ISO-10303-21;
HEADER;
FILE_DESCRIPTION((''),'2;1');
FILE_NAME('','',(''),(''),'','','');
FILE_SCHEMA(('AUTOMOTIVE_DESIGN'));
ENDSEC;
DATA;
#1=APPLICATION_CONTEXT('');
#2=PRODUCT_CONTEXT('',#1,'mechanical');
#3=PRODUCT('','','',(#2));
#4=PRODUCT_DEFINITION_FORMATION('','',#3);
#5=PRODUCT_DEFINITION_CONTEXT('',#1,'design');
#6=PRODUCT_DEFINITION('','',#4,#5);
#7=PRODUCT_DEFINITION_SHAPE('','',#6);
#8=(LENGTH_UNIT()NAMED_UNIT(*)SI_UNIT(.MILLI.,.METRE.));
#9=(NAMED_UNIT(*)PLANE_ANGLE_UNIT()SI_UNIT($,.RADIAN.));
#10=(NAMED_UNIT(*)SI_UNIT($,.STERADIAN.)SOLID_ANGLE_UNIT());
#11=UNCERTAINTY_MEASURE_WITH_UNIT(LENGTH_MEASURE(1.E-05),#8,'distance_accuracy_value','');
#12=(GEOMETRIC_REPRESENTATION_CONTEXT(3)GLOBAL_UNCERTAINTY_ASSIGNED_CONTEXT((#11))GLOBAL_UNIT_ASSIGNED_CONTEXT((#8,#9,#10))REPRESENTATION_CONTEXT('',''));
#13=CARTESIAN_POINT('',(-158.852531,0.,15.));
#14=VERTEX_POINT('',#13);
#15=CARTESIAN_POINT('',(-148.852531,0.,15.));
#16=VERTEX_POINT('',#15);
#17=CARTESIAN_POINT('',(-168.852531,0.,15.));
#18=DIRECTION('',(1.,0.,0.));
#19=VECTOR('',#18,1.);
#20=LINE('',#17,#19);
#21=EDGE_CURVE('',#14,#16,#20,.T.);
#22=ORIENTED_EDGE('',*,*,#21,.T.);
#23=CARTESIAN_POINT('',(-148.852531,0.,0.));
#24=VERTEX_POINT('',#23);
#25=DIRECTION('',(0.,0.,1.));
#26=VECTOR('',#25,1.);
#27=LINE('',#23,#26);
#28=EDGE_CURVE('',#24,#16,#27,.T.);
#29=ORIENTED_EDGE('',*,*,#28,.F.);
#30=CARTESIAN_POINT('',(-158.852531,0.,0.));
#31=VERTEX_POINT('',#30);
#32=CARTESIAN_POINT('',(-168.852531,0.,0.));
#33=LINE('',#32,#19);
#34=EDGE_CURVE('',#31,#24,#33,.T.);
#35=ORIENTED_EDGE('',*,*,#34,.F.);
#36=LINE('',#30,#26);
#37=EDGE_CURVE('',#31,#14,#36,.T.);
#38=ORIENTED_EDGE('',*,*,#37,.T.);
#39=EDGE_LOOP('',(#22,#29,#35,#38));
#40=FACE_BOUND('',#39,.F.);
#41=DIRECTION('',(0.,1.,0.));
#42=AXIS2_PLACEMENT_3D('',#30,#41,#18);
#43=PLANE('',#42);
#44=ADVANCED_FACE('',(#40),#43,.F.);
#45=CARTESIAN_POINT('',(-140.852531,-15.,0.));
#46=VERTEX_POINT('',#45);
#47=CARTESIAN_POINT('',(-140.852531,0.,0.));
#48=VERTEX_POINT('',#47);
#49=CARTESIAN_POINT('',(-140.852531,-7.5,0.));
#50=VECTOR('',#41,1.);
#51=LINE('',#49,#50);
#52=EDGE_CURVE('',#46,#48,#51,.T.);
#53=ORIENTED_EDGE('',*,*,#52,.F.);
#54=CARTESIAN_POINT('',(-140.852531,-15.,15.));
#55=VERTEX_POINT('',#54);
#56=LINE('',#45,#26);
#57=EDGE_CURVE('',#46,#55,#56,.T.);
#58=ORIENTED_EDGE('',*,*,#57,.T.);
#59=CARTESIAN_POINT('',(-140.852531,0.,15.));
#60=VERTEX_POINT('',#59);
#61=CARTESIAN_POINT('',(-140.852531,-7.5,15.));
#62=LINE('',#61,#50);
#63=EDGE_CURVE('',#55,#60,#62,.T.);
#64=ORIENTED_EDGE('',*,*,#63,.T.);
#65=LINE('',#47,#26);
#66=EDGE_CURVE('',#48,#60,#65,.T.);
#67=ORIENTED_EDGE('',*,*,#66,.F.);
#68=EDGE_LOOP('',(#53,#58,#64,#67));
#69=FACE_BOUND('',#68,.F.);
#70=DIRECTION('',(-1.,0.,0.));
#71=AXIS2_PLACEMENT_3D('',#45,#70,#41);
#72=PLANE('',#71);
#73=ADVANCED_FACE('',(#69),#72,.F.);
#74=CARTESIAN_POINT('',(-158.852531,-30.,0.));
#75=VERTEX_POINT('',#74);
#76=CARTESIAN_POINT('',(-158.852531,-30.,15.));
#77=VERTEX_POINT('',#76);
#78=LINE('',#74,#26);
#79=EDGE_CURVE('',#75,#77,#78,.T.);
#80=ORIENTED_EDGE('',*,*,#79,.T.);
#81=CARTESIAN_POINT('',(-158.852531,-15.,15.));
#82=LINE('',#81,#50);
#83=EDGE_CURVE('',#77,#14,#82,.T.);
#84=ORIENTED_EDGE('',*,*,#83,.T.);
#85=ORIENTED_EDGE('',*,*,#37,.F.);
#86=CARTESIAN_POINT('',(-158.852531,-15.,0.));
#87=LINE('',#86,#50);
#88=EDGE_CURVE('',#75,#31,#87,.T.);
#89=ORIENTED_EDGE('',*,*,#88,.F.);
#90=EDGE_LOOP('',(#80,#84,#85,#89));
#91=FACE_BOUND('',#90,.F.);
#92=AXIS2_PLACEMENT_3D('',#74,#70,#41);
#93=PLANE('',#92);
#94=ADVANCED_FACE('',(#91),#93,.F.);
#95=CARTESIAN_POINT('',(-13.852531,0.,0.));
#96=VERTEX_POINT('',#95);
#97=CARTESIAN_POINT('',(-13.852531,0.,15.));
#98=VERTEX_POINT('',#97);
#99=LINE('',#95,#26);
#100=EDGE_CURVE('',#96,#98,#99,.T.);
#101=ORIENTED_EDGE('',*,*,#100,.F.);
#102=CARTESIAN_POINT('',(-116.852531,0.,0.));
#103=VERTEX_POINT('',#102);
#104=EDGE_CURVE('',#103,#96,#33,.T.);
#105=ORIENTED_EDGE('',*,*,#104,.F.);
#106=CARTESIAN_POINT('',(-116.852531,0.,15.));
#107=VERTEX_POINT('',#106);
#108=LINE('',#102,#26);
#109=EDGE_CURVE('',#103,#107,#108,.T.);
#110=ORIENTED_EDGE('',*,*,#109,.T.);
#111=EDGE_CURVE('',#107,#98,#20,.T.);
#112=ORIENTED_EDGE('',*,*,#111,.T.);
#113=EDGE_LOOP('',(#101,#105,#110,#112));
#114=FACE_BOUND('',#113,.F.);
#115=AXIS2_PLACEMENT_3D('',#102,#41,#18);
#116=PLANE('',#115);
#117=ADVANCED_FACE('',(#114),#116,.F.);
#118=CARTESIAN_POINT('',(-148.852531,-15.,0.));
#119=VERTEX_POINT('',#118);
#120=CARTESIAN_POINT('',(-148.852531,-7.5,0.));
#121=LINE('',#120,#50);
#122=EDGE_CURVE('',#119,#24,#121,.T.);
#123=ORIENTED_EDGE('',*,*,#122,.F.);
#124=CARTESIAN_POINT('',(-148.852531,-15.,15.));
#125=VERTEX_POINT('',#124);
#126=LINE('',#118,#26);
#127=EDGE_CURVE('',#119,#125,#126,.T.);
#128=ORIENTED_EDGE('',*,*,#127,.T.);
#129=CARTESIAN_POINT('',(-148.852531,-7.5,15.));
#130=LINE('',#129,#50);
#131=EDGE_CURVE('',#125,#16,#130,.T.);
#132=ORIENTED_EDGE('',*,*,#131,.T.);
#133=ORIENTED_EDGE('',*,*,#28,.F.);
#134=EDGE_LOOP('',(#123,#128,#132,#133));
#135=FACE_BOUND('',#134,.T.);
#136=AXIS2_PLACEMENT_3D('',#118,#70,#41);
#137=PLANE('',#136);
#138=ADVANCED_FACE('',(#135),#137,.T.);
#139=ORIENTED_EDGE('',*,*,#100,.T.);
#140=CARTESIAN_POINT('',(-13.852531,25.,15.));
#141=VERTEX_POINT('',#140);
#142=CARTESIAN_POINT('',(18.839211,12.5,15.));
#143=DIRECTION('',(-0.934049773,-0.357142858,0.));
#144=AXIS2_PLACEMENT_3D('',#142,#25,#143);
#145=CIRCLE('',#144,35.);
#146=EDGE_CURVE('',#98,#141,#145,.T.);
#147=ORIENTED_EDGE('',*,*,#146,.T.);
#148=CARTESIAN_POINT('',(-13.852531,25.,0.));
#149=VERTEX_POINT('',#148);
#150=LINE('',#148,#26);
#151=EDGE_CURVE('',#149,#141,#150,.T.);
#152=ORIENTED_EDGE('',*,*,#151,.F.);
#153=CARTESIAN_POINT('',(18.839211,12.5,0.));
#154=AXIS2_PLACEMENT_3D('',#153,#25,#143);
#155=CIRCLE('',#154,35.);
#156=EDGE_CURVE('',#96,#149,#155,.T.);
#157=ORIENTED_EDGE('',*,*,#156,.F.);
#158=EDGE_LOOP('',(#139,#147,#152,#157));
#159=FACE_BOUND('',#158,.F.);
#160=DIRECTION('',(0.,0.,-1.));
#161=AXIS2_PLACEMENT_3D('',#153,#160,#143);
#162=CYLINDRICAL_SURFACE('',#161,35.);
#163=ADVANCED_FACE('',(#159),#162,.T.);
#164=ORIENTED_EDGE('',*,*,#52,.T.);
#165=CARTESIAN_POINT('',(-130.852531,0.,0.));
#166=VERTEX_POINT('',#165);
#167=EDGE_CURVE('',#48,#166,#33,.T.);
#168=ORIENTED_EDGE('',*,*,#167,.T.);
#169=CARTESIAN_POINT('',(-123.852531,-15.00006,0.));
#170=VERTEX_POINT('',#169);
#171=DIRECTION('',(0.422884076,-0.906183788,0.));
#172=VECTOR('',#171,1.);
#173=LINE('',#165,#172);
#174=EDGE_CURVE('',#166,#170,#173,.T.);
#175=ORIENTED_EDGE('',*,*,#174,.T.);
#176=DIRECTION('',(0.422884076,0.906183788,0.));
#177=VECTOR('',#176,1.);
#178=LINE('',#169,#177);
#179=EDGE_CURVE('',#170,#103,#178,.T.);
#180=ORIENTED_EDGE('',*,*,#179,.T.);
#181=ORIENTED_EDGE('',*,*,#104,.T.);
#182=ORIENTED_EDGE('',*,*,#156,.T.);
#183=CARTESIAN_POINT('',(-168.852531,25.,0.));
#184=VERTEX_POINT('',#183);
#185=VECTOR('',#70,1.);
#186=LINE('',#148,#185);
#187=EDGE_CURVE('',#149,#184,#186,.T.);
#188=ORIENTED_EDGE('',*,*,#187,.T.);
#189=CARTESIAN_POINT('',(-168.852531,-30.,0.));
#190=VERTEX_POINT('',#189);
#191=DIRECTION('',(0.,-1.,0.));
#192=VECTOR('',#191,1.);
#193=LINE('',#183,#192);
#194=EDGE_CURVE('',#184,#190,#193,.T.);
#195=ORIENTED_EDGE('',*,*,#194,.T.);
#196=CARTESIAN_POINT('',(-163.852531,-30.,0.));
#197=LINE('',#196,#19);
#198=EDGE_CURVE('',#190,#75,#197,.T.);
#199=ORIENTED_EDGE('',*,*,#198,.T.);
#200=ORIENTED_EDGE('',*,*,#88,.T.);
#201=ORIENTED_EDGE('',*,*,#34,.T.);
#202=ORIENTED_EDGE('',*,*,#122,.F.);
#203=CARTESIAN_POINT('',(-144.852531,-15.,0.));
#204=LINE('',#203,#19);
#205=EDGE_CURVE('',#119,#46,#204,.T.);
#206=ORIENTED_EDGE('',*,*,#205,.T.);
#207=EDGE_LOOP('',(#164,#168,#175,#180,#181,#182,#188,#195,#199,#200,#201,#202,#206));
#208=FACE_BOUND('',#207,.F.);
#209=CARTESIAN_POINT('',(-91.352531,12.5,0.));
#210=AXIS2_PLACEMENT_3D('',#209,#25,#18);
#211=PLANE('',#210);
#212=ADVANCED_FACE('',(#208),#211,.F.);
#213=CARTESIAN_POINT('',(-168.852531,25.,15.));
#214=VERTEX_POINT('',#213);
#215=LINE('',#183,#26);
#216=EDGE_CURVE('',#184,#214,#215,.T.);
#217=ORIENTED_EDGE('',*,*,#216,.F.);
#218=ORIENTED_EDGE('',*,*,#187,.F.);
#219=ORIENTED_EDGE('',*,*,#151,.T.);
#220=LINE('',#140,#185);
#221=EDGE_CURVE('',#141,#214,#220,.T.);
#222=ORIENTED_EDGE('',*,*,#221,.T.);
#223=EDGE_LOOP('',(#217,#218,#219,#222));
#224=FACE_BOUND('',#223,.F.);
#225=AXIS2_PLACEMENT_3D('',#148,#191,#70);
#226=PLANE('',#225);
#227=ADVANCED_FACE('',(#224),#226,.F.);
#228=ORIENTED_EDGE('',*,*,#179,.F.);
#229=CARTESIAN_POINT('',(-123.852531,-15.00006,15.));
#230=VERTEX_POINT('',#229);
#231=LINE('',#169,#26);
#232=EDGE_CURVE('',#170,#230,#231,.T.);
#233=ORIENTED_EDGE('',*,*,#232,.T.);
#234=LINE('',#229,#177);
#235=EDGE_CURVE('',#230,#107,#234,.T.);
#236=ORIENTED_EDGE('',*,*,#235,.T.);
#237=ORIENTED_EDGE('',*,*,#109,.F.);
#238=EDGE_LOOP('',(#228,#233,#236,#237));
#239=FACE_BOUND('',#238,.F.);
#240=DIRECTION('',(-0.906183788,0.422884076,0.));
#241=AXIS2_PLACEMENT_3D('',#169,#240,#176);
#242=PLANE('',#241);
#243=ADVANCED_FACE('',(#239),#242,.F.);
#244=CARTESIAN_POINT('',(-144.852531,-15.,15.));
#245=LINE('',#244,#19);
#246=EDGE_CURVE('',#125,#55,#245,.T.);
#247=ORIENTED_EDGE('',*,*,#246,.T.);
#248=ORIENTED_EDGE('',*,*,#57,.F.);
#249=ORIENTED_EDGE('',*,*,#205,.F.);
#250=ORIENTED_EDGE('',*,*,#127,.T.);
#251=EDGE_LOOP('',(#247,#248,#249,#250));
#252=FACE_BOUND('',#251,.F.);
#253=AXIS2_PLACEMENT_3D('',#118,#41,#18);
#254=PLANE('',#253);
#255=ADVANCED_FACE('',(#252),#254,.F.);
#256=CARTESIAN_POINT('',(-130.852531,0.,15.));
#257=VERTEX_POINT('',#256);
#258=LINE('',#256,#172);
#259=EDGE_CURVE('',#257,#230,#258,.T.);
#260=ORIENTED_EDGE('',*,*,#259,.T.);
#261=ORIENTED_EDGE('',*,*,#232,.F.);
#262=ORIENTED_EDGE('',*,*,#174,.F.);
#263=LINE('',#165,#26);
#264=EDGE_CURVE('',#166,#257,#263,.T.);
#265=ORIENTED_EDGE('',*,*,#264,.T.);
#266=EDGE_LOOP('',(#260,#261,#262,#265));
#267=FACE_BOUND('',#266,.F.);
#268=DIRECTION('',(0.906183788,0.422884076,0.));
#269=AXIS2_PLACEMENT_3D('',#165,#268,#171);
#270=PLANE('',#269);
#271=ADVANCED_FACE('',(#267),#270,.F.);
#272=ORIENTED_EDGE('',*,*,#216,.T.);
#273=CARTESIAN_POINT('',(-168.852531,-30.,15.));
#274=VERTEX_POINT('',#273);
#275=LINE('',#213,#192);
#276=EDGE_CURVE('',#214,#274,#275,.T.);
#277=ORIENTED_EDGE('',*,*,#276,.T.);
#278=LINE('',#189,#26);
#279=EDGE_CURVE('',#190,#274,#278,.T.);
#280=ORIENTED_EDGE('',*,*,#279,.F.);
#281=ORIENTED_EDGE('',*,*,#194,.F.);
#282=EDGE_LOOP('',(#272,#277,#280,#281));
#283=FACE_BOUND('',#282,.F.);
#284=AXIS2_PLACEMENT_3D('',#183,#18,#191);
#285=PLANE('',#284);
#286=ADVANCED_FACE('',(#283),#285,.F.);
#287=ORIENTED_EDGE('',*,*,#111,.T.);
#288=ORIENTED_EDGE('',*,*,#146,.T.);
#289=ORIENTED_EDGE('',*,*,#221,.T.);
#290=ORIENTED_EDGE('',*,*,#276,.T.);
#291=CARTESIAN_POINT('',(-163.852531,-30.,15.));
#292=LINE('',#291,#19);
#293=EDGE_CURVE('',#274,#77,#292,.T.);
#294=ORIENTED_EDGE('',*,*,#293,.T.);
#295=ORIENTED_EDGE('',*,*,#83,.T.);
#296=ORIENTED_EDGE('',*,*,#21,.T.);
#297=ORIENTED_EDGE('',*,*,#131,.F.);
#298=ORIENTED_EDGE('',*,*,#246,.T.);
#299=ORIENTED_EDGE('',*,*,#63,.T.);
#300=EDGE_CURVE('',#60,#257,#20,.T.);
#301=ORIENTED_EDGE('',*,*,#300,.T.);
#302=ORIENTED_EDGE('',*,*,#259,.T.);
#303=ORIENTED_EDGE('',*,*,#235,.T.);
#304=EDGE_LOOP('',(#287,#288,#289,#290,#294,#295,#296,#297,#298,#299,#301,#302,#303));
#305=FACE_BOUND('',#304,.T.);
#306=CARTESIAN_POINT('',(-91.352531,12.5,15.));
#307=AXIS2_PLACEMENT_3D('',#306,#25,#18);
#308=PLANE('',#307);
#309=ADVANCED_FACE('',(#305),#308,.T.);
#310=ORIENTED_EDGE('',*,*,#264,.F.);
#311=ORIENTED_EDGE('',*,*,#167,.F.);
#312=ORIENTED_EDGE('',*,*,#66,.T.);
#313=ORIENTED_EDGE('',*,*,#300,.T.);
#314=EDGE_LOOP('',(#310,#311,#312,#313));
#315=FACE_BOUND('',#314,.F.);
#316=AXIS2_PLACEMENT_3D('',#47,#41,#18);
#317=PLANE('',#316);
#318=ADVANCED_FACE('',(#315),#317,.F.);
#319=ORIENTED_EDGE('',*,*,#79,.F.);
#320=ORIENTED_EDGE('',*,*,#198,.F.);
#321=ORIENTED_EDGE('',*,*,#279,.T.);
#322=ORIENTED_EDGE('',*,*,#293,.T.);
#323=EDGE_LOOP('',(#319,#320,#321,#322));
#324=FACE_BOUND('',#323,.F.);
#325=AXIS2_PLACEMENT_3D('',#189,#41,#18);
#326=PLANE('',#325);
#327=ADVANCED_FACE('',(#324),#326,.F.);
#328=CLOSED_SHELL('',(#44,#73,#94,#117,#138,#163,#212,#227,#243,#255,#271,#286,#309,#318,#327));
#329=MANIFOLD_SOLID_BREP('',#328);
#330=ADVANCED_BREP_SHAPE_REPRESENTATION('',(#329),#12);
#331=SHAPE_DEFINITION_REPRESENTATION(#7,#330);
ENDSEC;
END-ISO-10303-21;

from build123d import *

# Parameters (mm, degrees)
F0_W     = 10
F0_H     = 30
F0_W_2   = 8
F0_H_2   = 15
F0_R     = 17.5
F1_DEPTH = 15


with BuildPart() as f1:
    # F0 (on Top) → F1 (new body)
    with BuildSketch(Plane.XY):
        Polygon((-13.852531, 0), (-13.852531, 25), (-168.852531, 25), (-168.852531, 0), (-158.852531, 0), (-148.852531, 0), (-140.852531, 0), (-130.852531, 0), (-123.852531, 0), (-116.852531, 0), align=None)
        with Locations((-163.852531, -15)):
            Rectangle(F0_W, F0_H)
        with Locations((-144.852531, -7.5)):
            Rectangle(F0_W_2, F0_H_2)
        Polygon((-123.852531, -15.00006), (-123.852531, 0), (-130.852531, 0), align=None)
        Polygon((-123.852531, -15.00006), (-116.852531, 0), (-123.852531, 0), align=None)
        with BuildLine():
            ThreePointArc((-13.852531, 0), (53.839211, 12.5), (-13.852531, 25))
            Line((-13.852531, 25), (-13.852531, 0))
        make_face()
        with Locations((18.839211, 12.5)):
            Circle(F0_R, mode=Mode.SUBTRACT)
        with Locations((18.839211, 12.5)):
            Circle(F0_R)
    extrude(amount=F1_DEPTH)


solid = f1.part
